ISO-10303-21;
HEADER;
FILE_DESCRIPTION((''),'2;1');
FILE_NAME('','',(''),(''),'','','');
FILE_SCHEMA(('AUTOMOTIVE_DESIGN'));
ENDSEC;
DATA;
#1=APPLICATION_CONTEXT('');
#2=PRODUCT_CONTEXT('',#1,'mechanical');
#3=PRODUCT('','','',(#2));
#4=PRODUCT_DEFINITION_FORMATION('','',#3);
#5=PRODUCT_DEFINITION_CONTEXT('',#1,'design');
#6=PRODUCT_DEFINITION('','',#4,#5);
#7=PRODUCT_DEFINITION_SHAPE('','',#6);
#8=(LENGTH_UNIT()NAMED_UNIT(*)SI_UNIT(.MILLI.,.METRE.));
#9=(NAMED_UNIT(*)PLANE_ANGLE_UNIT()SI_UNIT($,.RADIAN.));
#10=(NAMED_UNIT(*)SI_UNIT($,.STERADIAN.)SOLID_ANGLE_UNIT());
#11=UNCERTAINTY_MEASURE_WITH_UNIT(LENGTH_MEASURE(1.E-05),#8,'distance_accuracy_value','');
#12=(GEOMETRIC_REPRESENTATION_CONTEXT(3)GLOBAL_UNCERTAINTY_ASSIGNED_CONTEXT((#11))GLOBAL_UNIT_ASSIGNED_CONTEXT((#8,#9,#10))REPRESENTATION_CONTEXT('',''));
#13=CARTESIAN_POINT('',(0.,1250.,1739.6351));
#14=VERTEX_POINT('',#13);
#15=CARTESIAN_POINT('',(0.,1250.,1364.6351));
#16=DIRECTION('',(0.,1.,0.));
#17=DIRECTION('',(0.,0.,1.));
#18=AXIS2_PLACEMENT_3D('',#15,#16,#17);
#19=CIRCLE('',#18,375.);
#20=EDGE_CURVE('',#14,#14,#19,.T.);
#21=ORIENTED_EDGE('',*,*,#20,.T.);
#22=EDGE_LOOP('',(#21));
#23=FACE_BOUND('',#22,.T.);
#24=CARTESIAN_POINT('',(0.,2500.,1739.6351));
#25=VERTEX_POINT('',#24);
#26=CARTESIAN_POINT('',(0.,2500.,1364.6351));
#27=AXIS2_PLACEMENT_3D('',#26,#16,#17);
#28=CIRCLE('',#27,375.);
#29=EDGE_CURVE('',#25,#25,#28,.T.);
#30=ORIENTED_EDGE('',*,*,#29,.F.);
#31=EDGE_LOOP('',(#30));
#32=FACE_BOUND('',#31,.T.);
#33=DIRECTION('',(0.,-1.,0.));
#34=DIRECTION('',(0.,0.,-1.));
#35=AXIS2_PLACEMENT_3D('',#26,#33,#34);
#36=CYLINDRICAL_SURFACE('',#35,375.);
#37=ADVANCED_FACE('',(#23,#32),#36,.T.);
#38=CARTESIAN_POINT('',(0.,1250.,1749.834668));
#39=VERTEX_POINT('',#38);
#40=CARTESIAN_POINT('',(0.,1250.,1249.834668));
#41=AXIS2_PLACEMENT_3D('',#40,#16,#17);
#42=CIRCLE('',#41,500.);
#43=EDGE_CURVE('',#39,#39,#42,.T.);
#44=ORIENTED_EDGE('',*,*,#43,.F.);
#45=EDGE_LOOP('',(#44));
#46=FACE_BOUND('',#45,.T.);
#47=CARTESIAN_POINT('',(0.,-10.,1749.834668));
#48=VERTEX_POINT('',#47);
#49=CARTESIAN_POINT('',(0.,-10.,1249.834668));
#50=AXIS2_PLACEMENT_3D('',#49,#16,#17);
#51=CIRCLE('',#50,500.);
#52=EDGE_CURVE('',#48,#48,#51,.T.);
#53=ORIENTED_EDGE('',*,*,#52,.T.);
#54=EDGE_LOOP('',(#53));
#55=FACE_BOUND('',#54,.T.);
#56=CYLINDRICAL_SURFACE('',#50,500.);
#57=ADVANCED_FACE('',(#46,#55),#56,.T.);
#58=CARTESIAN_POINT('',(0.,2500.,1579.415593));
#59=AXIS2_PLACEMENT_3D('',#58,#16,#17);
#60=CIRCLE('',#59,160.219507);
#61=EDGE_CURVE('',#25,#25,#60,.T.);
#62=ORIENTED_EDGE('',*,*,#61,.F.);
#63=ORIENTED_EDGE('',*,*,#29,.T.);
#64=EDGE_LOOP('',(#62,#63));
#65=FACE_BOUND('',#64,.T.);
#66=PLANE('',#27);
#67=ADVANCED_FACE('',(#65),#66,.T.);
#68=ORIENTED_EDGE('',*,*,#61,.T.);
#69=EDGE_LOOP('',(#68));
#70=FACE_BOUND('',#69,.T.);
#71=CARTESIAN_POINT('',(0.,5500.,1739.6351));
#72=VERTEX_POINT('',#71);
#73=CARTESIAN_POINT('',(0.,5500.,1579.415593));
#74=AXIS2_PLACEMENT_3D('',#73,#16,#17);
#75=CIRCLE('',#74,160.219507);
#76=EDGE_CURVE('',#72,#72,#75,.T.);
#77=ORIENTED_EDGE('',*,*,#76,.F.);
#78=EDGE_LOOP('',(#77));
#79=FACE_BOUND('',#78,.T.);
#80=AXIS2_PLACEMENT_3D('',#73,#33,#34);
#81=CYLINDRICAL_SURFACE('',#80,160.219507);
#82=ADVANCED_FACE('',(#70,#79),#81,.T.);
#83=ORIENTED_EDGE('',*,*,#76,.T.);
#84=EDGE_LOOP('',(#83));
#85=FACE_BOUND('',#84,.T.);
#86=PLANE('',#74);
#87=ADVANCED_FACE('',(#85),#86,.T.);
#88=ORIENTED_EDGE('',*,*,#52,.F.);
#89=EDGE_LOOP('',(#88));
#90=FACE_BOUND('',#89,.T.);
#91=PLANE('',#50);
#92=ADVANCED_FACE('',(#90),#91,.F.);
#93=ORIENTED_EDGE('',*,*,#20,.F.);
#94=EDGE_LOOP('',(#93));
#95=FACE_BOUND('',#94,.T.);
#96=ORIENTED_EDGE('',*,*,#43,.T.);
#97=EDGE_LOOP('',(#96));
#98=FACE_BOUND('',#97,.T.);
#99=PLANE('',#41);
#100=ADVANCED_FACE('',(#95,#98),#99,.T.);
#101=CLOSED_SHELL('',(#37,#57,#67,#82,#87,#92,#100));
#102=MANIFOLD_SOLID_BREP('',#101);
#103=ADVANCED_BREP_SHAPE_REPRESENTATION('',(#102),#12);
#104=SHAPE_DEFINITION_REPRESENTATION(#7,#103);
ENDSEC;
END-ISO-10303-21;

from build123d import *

# Parameters (mm, degrees)
BOSS_EXTRUDE1_DEPTH      = 1250
BOSS_EXTRUDE1_DEPTH_BACK = 10
SKETCH2_R                = 500
SKETCH3_R                = 375
BOSS_EXTRUDE2_DEPTH      = 1250
SKETCH5_R                = 160.219506603
BOSS_EXTRUDE3_DEPTH      = 3000


with BuildPart() as part:
    # Sketch2 → Boss-Extrude1 (new, two sides: drawn at the far end of the back side and taken through both)
    with BuildSketch(Plane(origin=(0, 0, 0), x_dir=(1, 0, 0), z_dir=(0, 1, 0)).offset(-BOSS_EXTRUDE1_DEPTH_BACK)):
        with Locations(Location((0, -1249.834667533, 0), (0, 0, 270))):
            Circle(SKETCH2_R)
    extrude(amount=BOSS_EXTRUDE1_DEPTH + BOSS_EXTRUDE1_DEPTH_BACK)

    # Sketch3 → Boss-Extrude2 (add)
    with BuildSketch(Plane(origin=(0, 1250, 0), x_dir=(1, 0, 0), z_dir=(0, 1, 0))):
        with Locations(Location((0, -1364.635099652, 0), (0, 0, 270))):
            Circle(SKETCH3_R)
    extrude(amount=BOSS_EXTRUDE2_DEPTH)

    # Sketch5 → Boss-Extrude3 (add)
    with BuildSketch(Plane(origin=(0, 2500, 0), x_dir=(1, 0, 0), z_dir=(0, 1, 0))):
        with Locations(Location((0, -1579.415593049, 0), (0, 0, 270))):
            Circle(SKETCH5_R)
    extrude(amount=BOSS_EXTRUDE3_DEPTH)


solid = part.part
